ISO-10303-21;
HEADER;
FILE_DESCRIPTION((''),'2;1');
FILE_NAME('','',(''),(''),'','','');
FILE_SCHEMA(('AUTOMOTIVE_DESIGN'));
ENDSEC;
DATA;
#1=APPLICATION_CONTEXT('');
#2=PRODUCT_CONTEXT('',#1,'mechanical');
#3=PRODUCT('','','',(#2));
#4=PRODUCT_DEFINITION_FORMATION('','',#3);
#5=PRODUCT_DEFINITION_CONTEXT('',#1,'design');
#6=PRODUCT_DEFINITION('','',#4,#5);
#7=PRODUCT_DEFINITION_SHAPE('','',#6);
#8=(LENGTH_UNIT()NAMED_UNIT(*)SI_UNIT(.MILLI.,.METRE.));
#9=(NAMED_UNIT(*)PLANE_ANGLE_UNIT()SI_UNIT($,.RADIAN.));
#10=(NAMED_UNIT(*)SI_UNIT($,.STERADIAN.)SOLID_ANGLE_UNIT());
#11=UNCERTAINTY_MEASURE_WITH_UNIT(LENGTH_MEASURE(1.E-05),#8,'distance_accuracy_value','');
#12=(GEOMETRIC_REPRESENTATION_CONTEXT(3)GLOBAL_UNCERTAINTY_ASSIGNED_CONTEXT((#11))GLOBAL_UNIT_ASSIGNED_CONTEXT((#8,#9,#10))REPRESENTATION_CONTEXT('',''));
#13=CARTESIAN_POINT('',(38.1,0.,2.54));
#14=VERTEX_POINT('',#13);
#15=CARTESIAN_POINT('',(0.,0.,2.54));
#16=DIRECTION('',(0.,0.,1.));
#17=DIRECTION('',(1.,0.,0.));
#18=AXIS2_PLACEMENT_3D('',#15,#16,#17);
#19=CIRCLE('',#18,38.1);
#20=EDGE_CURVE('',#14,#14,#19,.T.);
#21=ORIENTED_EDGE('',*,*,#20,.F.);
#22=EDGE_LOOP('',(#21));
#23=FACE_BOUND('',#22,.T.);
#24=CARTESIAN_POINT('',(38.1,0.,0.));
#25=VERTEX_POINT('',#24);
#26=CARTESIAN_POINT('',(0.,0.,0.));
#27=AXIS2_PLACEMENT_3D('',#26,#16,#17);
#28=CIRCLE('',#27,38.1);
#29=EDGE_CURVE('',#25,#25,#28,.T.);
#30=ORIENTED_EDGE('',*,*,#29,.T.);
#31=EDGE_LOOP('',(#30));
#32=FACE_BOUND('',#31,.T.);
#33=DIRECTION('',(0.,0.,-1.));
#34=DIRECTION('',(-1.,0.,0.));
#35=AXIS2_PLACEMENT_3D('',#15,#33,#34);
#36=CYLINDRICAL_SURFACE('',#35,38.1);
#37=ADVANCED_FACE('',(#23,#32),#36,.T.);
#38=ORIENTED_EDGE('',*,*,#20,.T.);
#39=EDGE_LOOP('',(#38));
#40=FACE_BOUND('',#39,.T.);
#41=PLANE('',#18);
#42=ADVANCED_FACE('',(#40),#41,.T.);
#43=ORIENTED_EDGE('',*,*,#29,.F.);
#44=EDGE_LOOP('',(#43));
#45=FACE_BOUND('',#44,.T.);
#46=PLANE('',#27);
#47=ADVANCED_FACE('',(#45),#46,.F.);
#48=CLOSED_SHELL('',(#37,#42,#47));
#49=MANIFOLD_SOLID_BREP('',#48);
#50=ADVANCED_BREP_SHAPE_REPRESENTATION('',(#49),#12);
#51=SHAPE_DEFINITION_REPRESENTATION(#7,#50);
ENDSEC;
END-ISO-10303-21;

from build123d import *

# Parameters (mm, degrees)
SKETCH1_R           = 38.1
BOSS_EXTRUDE1_DEPTH = 2.54


with BuildPart() as part:
    # Sketch1 → Boss-Extrude1 (new body)
    with BuildSketch(Plane.XY):
        Circle(SKETCH1_R)
    extrude(amount=BOSS_EXTRUDE1_DEPTH)


solid = part.part
